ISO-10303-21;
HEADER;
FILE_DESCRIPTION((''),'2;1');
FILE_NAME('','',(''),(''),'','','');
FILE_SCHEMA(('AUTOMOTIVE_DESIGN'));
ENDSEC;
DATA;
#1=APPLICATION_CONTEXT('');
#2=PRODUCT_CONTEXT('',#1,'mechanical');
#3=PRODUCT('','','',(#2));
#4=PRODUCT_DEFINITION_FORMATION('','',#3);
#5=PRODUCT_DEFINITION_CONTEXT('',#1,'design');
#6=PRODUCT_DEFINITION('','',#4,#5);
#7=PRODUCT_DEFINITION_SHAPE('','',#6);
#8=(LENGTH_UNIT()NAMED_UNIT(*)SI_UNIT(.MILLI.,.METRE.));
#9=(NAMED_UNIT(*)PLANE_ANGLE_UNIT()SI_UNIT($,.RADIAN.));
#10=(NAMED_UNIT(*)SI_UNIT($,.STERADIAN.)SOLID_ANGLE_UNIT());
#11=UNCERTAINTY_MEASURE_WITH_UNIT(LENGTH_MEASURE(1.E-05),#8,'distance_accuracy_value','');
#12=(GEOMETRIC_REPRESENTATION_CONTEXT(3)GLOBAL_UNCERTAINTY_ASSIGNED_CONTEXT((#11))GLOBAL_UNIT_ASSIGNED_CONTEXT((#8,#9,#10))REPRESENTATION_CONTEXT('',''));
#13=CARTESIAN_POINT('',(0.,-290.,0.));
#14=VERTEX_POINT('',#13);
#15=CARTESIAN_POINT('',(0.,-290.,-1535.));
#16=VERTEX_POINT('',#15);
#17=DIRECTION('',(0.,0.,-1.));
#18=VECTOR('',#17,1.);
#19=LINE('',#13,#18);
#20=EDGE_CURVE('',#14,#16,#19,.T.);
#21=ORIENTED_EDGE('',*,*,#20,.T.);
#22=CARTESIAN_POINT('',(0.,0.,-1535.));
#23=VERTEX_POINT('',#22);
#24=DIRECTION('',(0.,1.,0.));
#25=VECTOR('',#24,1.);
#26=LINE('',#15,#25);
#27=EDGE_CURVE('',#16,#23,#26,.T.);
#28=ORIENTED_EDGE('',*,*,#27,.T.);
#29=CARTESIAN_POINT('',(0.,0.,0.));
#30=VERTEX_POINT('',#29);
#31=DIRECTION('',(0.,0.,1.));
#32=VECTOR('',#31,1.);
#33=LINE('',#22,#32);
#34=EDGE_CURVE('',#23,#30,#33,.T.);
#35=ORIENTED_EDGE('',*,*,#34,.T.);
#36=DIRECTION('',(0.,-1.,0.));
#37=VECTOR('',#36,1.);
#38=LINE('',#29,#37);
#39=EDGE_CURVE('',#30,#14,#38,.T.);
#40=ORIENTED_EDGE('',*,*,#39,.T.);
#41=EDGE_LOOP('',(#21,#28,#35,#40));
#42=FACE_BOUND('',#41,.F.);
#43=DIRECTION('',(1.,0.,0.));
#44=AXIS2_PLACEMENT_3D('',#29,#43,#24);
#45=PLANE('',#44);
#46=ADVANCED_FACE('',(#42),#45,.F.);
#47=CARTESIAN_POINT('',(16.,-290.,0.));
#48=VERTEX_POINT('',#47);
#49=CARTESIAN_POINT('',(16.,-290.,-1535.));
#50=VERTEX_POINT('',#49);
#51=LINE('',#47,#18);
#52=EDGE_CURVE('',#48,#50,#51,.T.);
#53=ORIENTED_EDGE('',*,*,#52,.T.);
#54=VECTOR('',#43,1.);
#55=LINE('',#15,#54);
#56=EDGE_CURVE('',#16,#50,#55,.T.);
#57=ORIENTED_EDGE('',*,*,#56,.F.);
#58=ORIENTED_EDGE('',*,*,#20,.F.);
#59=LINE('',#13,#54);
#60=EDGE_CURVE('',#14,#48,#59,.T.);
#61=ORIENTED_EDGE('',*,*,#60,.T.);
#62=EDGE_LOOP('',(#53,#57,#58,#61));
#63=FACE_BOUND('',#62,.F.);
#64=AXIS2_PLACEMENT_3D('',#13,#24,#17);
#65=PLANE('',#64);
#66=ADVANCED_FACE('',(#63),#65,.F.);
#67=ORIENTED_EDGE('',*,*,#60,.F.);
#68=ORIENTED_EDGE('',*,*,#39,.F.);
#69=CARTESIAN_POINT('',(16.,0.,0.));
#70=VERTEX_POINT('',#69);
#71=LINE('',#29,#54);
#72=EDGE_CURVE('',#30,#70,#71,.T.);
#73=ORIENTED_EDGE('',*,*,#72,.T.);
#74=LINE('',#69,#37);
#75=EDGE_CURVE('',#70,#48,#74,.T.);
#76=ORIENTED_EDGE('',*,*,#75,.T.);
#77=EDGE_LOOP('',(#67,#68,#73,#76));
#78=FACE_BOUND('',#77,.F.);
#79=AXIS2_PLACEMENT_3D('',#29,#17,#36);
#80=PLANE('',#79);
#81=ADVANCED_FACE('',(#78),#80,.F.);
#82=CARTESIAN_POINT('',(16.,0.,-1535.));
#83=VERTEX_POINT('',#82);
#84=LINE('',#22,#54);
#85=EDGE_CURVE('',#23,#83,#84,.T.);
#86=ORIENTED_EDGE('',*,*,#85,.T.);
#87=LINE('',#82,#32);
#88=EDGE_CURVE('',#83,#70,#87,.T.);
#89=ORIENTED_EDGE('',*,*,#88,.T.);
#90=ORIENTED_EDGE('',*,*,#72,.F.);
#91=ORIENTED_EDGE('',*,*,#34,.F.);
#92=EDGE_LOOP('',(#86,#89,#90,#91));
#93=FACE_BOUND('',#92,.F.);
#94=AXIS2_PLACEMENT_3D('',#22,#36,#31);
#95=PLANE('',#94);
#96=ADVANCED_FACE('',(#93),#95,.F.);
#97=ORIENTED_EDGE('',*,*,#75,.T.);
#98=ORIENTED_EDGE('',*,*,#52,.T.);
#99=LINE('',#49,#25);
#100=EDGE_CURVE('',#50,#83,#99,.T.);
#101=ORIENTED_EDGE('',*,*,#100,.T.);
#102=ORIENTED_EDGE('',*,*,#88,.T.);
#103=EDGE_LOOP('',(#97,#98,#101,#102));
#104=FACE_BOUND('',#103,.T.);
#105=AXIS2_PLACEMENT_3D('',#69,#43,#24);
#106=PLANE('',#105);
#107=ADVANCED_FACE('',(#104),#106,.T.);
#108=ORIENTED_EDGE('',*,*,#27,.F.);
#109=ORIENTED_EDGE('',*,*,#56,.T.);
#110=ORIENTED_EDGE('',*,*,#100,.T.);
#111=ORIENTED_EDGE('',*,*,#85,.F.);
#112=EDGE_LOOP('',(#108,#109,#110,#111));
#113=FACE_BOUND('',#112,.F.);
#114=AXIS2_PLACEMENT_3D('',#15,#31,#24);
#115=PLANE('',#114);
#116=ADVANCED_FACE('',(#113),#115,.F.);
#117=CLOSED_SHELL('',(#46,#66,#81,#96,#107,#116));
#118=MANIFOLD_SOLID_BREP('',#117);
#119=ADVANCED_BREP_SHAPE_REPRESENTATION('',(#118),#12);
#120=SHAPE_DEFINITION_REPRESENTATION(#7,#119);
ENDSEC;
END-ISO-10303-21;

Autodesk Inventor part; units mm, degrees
ref_plane "YZ Plane" through (0, 0, 0) normal (1, 0, 0) x (0, 1, 0)
ref_plane "XZ Plane" through (0, 0, 0) normal (0, 1, 0) x (-1, 0, 0)
ref_plane "XY Plane" through (0, 0, 0) normal (0, 0, 1) x (1, 0, 0)
sketch "Boceto1" plane through (0, 0, 0) normal (1, 0, 0) x (0, 1, 0)
  line L0 (0, 0) -> (-290, 0)
  line L1 (-290, 0) -> (-290, -1535)
  line L2 (-290, -1535) -> (0, -1535)
  line L3 (0, -1535) -> (0, 0)
  dimension "d0" = 290
  dimension "d1" = 1535
extrude "Extrusión1" add sketch "Boceto1" along normal blind 16
properties part number "Madera Inferior1"
